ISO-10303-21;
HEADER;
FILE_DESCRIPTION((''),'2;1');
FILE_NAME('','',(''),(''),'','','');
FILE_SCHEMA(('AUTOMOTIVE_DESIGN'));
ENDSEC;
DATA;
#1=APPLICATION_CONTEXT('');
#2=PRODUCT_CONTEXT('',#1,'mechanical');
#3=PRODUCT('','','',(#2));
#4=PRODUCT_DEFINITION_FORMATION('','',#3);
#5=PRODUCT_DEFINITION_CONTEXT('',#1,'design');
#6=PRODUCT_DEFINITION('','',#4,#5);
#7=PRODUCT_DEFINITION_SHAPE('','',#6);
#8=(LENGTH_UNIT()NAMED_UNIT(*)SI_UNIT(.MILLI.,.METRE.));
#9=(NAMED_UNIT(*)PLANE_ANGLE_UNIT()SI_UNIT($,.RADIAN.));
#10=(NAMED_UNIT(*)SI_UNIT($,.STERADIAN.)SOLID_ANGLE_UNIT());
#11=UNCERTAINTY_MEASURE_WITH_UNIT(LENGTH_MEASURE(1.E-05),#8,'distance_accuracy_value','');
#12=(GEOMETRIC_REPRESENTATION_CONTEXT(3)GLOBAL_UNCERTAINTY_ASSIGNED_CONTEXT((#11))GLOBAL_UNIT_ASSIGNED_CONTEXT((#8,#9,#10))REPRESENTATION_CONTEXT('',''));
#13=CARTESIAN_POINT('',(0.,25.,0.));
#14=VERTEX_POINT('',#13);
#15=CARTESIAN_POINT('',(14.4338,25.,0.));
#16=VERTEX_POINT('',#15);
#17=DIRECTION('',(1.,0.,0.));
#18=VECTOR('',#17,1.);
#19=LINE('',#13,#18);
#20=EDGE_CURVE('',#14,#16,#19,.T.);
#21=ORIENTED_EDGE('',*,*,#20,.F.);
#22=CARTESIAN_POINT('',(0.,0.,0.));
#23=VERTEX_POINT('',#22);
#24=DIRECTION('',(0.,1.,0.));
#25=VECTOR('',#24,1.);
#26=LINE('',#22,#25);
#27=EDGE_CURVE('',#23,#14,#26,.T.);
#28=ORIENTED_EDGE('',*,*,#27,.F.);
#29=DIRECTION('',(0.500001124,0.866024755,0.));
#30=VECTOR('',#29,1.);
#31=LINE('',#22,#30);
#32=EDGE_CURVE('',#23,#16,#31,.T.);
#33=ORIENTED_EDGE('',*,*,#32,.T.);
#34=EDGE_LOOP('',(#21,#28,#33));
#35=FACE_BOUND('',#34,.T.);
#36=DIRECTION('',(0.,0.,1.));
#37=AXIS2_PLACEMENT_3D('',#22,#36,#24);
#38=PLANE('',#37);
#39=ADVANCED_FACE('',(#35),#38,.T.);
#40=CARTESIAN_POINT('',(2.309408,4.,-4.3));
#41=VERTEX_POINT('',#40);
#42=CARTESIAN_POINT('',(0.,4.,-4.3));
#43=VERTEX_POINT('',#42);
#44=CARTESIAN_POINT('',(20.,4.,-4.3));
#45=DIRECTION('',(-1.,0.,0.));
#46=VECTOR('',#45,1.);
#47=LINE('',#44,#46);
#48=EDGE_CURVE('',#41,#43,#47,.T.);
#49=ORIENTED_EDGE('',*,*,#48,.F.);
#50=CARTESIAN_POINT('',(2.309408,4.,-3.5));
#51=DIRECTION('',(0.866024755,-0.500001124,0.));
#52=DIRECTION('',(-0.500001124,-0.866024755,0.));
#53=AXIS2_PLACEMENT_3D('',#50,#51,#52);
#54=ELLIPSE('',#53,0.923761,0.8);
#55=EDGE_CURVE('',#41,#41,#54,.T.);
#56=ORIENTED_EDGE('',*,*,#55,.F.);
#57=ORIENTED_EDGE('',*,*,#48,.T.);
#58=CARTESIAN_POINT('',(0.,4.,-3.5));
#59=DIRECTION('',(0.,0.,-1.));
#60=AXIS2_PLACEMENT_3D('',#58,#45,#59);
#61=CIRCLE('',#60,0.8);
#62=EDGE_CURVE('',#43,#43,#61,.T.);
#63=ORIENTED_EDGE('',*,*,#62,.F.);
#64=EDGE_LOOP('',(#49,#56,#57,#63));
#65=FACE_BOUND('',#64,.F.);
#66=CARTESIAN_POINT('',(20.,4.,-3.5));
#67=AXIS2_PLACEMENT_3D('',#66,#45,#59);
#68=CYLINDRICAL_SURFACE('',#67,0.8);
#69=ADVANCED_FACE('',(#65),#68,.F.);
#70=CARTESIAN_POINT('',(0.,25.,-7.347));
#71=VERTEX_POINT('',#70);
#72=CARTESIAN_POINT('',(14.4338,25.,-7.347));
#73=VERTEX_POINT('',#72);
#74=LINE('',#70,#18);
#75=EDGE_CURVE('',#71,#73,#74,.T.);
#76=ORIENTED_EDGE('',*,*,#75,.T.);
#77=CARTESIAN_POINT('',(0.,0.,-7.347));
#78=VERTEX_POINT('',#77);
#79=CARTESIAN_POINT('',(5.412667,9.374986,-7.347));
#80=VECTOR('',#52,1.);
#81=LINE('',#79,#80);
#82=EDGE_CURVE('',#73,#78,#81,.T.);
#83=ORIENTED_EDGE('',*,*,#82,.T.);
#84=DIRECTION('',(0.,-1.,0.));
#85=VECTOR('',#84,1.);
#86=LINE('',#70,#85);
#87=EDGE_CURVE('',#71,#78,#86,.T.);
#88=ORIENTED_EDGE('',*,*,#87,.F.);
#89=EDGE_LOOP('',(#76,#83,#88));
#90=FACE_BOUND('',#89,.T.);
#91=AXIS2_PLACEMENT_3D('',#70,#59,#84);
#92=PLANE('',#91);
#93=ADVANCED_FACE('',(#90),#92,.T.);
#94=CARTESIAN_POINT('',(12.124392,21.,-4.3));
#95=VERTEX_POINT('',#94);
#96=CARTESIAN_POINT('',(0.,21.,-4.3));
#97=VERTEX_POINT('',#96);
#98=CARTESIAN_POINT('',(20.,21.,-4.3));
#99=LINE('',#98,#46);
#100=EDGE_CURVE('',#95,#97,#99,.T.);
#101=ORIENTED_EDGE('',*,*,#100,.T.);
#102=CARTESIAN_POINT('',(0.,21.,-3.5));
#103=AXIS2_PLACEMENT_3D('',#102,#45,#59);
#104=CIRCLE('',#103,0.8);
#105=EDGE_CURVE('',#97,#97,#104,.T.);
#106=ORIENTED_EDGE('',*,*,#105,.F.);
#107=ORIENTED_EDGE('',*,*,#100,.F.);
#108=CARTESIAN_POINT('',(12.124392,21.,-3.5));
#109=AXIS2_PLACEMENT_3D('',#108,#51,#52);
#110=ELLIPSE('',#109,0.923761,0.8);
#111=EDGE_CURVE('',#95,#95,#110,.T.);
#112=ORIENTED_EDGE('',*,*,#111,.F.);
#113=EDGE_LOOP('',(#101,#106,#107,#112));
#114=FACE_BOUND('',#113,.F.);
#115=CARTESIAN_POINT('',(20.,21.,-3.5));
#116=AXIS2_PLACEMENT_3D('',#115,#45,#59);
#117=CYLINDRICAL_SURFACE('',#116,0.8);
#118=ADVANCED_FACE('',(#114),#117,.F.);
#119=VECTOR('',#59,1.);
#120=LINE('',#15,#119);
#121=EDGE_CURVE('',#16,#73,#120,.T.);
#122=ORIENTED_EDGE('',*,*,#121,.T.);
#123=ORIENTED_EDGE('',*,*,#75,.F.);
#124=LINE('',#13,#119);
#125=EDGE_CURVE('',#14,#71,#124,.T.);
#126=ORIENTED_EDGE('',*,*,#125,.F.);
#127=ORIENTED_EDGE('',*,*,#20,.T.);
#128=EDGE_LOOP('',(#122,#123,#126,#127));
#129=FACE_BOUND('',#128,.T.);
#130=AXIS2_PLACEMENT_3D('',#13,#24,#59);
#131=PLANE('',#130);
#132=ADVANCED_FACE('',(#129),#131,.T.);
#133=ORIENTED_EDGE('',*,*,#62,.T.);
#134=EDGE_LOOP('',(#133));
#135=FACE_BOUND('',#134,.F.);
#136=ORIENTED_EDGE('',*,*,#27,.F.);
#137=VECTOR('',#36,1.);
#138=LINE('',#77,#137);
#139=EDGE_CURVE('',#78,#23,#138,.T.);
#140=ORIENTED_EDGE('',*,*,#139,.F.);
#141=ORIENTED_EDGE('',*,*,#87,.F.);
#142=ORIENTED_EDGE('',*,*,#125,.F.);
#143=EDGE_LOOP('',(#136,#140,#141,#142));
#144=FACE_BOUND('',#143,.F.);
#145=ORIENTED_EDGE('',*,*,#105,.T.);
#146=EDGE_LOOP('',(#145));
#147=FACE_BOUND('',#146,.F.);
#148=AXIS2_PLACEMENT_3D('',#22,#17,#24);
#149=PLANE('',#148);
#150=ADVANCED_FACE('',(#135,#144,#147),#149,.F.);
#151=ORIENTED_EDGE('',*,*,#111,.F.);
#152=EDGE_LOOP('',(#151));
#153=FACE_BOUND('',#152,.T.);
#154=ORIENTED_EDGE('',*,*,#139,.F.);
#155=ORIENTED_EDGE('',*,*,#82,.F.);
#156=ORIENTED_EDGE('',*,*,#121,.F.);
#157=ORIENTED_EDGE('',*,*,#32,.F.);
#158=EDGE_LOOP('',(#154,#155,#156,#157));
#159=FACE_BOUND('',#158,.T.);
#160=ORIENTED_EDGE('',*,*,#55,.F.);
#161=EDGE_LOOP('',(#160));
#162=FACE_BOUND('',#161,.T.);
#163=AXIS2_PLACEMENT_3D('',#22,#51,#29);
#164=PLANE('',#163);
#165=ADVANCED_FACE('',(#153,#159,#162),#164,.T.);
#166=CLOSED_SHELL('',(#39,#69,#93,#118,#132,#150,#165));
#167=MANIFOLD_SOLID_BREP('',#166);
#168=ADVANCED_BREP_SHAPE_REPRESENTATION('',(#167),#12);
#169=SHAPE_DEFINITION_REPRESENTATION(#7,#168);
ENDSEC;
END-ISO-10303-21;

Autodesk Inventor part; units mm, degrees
ref_plane "YZ Plane" through (0, 0, 0) normal (1, 0, 0) x (0, 1, 0)
ref_plane "XZ Plane" through (0, 0, 0) normal (0, 1, 0) x (-1, 0, 0)
ref_plane "XY Plane" through (0, 0, 0) normal (0, 0, 1) x (1, 0, 0)
sketch "Esquisse1" plane through (0, 0, 0) normal (1, 0, 0) x (0, 1, 0)
  line L0 (0, 0) -> (25, 0)
  line L1 (25, 0) -> (25, -7.347)
  line L2 (25, -7.347) -> (0, -7.347)
  line L3 (0, -7.347) -> (0, 0)
  dimension "d0" = 25
  dimension "d1" = 7.347
extrude "Extrusion1" add sketch "Esquisse1" along normal blind 20
sketch "Esquisse3" plane through (20, 0, 0) normal (1, 0, 0) x (0, 0, -1)
  line L0 (0, 0) -> (7.347, 0) projected
  line L1 (0, 0) -> (3.5, 0)
  line L2 (3.5, 0) -> (3.5, 4)
  line L3 (7.347, 25) -> (0, 25) projected
  line L4 (0, 25) -> (3.5, 25)
  line L5 (3.5, 25) -> (3.5, 21)
  dimension "d7" = 3.5
  dimension "d8" = 4
  dimension "d9" = 3.5
  dimension "d10" = 4
  dimension "d11" = 90
hole "Perçage1" at (20, 4, -3.5) at (20, 21, -3.5) direction (-1, 0, 0) diameter 1.6 end through all
sketch "Esquisse4" plane through (0, 0, 0) normal (0, 0, 1) x (1, 0, 0)
  line L0 (0, 0) -> (20, 0) projected
  line L1 (0, 0) -> (14.4338, 25)
  line L2 (0, 25) -> (20, 25) projected
  line L3 (0, 0) -> (28.8675, 0) construction
  line L4 (0, 25) -> (20, 25) projected
  line L5 (20, 25) -> (20, 0) projected
  point P0 (10, 17.3205)
  dimension "d19" = 60
extrude "Extrusion3" cut sketch "Esquisse4" against normal blind 10
properties part number "face 30°"
